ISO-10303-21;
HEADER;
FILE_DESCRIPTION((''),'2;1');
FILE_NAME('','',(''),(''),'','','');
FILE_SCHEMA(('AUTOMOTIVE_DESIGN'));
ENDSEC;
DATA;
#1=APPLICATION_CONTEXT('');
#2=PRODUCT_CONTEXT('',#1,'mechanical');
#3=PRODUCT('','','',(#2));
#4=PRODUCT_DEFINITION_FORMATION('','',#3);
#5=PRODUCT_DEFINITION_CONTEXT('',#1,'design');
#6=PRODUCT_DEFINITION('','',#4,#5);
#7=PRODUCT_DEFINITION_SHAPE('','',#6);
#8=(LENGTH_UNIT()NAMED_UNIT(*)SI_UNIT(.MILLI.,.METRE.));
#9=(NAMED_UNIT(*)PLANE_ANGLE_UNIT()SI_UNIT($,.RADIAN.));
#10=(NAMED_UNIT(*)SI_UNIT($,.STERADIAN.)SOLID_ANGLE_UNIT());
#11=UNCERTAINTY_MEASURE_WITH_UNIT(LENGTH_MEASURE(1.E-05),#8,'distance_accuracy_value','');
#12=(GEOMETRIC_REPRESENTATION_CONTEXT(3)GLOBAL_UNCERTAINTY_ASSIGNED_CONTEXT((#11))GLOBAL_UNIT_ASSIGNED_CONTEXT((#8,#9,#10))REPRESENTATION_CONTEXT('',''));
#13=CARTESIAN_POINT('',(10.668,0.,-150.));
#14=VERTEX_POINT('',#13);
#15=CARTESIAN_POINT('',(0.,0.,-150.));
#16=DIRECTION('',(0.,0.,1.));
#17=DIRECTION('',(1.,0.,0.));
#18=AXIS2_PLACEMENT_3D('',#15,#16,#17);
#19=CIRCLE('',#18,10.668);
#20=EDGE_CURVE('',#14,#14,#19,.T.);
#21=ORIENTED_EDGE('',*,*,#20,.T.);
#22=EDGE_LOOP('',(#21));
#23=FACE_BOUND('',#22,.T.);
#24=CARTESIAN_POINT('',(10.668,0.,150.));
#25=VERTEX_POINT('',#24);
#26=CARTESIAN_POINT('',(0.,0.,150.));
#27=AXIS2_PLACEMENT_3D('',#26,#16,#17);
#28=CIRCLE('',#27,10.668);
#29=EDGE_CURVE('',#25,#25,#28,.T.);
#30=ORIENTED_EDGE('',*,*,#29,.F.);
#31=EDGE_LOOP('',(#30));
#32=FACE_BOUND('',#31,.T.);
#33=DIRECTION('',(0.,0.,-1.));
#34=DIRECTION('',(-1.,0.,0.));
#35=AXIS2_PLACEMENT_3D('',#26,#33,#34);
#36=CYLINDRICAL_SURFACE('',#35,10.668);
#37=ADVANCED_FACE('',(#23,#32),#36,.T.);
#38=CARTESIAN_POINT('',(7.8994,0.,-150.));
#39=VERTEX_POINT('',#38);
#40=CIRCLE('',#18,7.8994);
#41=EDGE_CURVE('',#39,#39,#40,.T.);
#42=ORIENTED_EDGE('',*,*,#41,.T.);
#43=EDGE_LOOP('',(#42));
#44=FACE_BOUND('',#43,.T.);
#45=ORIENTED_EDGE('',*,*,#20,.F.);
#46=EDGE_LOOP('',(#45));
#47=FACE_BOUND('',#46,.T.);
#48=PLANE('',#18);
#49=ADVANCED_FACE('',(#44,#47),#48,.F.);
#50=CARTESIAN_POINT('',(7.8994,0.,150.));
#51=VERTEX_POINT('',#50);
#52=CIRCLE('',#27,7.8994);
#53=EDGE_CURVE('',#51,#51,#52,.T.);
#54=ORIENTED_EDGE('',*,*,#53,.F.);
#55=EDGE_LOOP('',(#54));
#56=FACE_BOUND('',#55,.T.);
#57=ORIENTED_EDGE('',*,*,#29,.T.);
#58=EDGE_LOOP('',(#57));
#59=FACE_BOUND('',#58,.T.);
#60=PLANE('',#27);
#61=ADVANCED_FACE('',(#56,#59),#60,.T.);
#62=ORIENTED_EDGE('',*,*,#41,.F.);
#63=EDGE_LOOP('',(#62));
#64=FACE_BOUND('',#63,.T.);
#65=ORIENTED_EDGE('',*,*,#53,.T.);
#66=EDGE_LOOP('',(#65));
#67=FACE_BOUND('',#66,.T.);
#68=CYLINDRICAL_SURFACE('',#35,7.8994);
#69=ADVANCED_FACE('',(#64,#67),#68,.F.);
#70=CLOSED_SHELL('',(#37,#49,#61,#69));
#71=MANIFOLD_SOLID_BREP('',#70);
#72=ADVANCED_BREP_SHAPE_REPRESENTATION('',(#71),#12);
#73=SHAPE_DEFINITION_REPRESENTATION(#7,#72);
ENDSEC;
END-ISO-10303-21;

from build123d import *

# Parameters (mm, degrees)
SKETCH1_R           = 10.668
SKETCH1_R_2         = 7.8994
EXTRUDE_THIN1_DEPTH = 150


with BuildPart() as part:
    # Sketch1 → Extrude-Thin1 (new body, symmetric)
    with BuildSketch(Plane.XY):
        Circle(SKETCH1_R)
        Circle(SKETCH1_R_2, mode=Mode.SUBTRACT)
    extrude(amount=EXTRUDE_THIN1_DEPTH, both=True)


solid = part.part
